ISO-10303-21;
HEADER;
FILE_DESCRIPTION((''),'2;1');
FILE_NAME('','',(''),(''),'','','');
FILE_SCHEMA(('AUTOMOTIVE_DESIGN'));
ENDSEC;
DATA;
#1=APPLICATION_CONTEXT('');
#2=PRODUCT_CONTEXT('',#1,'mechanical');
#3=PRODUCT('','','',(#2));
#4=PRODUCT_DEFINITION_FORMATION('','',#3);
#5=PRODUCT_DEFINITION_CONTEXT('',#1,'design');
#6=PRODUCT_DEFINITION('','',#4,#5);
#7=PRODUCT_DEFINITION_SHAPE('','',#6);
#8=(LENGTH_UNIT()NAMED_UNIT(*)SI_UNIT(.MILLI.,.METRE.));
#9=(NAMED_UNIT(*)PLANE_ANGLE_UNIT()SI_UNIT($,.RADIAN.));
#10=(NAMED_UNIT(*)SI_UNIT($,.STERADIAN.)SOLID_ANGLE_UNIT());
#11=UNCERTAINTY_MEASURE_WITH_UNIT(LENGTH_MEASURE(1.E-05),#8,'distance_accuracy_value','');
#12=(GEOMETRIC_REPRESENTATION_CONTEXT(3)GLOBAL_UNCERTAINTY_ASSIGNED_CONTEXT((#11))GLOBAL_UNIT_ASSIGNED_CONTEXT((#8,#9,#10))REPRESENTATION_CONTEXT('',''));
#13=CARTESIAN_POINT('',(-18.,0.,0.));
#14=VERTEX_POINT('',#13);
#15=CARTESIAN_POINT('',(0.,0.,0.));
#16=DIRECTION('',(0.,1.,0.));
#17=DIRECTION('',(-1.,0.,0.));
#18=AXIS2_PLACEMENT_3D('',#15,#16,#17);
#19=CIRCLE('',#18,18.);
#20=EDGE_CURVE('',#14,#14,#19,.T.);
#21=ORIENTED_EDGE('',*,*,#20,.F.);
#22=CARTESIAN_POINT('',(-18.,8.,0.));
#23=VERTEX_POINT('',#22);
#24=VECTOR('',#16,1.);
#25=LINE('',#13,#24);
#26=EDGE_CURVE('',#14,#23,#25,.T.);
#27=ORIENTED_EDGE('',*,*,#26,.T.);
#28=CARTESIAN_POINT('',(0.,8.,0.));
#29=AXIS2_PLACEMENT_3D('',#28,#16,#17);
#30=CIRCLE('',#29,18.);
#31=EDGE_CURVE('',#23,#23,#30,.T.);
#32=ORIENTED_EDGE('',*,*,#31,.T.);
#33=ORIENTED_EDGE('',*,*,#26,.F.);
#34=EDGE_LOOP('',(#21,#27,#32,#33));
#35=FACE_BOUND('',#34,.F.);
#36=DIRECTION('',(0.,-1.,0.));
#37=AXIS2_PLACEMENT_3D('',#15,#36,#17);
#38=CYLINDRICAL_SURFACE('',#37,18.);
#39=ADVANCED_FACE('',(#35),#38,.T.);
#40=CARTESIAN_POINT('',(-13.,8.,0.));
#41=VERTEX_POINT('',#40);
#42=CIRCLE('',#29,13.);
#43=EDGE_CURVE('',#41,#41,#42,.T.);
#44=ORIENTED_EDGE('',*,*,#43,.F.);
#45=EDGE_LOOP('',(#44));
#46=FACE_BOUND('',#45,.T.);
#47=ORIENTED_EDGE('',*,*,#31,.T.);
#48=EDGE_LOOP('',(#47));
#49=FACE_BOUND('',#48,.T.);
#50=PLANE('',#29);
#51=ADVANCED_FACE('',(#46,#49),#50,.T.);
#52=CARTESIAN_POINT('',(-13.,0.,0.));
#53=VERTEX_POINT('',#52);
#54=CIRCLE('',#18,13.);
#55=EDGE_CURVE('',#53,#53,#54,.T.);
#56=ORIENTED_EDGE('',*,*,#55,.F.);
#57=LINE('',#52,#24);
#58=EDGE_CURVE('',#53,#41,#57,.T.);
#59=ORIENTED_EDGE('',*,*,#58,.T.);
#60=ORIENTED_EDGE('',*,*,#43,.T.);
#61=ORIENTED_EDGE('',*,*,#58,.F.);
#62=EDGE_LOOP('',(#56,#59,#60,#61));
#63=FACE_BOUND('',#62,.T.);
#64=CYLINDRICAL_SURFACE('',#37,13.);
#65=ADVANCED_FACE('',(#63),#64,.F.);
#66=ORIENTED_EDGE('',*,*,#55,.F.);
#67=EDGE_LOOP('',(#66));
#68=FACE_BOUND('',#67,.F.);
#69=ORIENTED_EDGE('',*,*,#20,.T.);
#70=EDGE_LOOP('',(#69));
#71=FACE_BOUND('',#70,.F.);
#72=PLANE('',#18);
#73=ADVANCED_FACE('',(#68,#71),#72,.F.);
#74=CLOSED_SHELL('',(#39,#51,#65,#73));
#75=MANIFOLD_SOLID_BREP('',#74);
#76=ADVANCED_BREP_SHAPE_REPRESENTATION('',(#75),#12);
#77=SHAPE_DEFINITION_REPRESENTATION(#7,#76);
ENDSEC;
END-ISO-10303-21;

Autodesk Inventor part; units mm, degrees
ref_plane "YZ Plane" through (0, 0, 0) normal (1, 0, 0) x (0, 1, 0)
ref_plane "XZ Plane" through (0, 0, 0) normal (0, 1, 0) x (-1, 0, 0)
ref_plane "XY Plane" through (0, 0, 0) normal (0, 0, 1) x (1, 0, 0)
sketch "Sketch1" plane through (0, 0, 0) normal (0, 1, 0) x (-1, 0, 0)
  circle A0 centre (0, 0) radius 13
  circle A1 centre (0, 0) radius 18
  dimension "d0" = 26
  dimension "d1" = 36
extrude "Extrusion1" add sketch "Sketch1" along normal blind 8
properties part number "bearingSeat" material "Steel, Mild"
